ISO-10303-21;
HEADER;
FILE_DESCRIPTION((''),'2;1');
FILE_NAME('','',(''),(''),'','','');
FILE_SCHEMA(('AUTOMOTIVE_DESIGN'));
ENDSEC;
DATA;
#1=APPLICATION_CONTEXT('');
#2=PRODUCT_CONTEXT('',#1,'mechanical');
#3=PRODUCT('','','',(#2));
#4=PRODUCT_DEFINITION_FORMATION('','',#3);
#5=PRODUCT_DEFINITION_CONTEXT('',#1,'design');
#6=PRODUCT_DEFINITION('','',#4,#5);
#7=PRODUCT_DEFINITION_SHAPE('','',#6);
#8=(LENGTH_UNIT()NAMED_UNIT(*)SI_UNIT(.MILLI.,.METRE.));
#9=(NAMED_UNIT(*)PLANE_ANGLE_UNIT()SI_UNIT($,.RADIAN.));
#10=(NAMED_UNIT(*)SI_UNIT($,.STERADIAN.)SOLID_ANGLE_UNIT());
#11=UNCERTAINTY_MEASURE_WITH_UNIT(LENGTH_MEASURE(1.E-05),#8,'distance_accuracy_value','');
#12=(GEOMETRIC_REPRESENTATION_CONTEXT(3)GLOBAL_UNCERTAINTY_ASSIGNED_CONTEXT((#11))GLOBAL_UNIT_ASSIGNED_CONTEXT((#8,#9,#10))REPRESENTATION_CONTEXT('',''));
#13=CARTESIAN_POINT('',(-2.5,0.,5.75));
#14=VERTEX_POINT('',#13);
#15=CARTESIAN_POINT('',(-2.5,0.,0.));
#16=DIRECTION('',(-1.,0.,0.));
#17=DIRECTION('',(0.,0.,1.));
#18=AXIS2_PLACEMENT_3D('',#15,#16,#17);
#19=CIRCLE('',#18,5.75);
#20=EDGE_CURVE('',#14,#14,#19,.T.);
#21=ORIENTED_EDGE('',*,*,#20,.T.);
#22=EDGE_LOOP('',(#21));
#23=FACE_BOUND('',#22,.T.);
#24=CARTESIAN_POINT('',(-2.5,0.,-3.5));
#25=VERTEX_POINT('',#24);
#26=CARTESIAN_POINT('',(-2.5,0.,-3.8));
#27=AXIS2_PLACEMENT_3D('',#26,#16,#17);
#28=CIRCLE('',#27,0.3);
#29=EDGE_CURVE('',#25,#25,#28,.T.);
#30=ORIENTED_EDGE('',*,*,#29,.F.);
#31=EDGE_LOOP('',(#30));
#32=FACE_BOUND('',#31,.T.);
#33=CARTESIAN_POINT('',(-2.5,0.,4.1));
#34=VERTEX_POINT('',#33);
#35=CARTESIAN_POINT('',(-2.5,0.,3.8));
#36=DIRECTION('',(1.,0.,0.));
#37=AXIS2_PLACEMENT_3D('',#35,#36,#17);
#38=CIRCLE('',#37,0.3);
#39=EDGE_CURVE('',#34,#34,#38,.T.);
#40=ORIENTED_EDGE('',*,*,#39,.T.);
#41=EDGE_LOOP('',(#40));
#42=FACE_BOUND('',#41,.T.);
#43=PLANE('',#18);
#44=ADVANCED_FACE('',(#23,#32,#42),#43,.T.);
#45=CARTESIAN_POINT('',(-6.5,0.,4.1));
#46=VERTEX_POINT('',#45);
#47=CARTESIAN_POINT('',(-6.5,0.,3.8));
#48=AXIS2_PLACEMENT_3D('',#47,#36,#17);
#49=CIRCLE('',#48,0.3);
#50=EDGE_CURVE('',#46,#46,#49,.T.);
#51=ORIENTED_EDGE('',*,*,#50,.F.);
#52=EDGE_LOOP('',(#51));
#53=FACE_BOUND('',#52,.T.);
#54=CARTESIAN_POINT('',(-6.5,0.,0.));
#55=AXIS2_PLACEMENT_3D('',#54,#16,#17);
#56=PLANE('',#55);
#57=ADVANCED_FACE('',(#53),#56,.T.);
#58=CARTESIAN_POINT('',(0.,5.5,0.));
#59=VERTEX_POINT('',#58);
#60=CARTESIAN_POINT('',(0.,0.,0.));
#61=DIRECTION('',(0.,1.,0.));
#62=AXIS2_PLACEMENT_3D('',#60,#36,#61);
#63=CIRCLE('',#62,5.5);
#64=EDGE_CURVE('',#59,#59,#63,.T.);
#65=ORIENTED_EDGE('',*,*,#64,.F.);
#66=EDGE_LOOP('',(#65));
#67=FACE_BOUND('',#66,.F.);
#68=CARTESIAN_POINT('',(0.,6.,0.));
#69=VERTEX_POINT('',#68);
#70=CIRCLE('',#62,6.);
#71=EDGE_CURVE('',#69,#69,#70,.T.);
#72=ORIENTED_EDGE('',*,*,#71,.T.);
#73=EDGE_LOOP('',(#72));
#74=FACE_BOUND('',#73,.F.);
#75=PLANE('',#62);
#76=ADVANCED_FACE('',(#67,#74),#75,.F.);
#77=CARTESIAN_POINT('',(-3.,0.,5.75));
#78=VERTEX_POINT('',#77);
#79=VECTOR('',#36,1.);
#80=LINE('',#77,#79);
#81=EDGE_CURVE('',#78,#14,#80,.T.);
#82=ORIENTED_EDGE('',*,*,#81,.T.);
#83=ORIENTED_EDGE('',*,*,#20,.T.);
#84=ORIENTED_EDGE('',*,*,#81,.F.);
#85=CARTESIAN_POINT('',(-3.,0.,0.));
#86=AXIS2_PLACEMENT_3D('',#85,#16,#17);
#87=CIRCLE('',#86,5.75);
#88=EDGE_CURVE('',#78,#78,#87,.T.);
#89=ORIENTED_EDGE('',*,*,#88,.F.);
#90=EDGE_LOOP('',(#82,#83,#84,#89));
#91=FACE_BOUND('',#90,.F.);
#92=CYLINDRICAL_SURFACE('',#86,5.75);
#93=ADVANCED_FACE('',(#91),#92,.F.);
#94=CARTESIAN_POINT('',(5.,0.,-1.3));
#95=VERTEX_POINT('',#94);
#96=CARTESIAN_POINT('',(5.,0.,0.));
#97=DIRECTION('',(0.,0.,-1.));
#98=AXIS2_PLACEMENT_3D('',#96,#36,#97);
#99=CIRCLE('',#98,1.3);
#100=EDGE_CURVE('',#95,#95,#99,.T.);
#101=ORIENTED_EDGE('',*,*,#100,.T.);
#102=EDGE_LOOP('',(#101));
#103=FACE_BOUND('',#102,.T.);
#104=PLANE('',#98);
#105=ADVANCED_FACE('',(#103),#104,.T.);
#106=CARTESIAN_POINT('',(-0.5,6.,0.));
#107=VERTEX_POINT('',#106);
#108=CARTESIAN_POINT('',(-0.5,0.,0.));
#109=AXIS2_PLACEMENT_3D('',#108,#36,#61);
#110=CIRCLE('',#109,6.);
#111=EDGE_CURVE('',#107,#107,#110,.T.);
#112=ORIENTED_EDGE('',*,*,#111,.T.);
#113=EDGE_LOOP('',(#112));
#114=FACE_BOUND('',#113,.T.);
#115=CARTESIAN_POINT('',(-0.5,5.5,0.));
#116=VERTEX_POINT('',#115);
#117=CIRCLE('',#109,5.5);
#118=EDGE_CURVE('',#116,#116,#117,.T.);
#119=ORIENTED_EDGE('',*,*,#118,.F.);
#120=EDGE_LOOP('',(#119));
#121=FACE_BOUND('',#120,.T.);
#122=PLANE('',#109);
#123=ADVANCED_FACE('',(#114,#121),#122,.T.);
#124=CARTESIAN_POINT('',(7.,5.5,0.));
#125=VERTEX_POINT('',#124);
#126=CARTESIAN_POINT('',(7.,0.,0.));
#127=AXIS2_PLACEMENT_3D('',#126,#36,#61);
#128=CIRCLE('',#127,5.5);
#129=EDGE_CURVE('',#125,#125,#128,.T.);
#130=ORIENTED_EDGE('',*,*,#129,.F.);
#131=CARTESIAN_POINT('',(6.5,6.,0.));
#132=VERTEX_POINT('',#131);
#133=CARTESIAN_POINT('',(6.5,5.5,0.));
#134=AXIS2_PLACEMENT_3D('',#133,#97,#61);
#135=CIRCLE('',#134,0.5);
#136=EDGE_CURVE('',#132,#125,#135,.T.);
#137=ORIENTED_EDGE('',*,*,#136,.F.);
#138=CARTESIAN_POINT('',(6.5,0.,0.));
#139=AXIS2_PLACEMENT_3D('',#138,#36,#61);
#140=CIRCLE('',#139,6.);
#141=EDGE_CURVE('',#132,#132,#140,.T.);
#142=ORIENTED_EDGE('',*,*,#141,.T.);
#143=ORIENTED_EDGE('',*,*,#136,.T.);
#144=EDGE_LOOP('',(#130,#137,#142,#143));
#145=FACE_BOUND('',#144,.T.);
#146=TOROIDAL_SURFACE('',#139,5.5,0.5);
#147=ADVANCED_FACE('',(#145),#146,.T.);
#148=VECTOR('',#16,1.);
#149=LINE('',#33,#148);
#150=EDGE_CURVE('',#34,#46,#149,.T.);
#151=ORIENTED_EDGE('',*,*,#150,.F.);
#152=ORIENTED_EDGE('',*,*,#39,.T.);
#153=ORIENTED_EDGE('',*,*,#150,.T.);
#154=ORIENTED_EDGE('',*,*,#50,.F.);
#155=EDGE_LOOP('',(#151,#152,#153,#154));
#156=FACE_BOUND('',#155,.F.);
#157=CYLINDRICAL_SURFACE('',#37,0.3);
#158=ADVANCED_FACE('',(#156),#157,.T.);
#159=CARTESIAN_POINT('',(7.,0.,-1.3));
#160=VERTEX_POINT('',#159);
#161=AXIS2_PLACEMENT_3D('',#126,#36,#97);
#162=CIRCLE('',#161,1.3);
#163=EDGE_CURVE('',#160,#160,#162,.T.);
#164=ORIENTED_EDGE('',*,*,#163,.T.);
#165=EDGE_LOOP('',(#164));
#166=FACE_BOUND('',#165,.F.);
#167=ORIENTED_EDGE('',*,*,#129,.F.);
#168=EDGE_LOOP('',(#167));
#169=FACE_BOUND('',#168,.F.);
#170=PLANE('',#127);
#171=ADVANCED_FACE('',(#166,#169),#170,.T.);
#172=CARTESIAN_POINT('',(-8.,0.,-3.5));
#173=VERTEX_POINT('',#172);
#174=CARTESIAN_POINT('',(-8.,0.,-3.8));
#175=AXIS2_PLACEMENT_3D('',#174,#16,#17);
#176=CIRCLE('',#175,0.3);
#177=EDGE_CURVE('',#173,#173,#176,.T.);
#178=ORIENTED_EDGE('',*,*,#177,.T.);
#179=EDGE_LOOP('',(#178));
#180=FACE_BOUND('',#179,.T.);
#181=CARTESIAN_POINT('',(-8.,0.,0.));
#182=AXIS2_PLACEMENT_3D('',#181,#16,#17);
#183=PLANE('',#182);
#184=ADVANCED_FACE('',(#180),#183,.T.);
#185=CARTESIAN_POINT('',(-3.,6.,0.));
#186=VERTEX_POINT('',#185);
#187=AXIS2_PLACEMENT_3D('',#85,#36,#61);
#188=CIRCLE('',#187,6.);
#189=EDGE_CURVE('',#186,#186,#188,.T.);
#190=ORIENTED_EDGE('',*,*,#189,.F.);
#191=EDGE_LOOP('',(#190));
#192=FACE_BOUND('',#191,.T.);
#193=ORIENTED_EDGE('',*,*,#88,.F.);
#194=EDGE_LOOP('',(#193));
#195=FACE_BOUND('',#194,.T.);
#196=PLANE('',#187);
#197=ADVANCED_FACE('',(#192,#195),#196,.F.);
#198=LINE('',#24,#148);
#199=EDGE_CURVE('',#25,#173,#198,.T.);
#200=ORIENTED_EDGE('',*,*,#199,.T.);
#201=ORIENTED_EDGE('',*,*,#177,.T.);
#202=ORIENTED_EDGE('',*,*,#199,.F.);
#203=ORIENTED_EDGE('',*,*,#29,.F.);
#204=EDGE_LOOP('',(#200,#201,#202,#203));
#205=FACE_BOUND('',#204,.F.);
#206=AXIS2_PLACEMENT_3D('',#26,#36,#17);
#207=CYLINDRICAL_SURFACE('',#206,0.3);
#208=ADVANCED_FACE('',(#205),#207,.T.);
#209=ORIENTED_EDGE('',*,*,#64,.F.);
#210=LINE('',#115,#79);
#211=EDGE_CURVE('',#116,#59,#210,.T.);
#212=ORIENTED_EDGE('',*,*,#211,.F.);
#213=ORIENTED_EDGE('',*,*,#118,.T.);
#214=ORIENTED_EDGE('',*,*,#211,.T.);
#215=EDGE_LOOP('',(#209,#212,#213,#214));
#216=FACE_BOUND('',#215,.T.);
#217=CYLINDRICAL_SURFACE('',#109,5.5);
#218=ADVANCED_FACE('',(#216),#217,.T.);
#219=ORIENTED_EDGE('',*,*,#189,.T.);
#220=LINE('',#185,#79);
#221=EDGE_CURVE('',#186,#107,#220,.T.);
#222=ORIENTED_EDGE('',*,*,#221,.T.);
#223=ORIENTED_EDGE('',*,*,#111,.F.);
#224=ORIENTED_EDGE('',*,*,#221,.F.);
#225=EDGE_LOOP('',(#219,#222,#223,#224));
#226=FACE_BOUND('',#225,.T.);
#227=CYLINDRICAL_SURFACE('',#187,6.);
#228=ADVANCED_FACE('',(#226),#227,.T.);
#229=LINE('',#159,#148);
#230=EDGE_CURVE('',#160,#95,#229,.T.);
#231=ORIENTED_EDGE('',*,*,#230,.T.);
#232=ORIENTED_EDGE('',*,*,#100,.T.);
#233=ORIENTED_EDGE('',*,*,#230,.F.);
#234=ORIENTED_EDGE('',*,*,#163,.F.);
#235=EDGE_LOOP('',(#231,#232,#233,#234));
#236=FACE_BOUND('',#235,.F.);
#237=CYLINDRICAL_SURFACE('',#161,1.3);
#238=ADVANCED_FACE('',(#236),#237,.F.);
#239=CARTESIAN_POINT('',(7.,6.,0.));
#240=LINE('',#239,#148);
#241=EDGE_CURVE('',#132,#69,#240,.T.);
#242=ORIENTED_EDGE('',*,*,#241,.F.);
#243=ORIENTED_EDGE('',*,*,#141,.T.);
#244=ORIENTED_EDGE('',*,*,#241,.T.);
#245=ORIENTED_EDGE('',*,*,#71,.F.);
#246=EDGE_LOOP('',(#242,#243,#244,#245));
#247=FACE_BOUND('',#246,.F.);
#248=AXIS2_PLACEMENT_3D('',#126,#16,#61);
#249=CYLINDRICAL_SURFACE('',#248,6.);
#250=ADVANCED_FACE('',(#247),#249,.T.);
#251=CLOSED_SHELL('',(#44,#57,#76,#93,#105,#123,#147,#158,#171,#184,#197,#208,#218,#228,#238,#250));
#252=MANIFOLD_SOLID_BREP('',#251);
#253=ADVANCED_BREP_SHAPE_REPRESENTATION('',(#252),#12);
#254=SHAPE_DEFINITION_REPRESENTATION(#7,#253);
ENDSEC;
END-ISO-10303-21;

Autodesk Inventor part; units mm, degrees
ref_plane "YZ Plane" through (0, 0, 0) normal (1, 0, 0) x (0, 1, 0)
ref_plane "XZ Plane" through (0, 0, 0) normal (0, 1, 0) x (-1, 0, 0)
ref_plane "XY Plane" through (0, 0, 0) normal (0, 0, 1) x (1, 0, 0)
sketch "Sketch1" plane through (0, 0, 0) normal (0, 0, 1) x (1, 0, 0)
  point P0 (0, 0)
sketch "Sketch2" plane through (0, 0, 0) normal (0, 0, 1) x (1, 0, 0)
  line L0 (0, 0) -> (7, 0)
  line L1 (7, 0) -> (7, 6)
  line L2 (7, 6) -> (0, 6)
  line L3 (0, 6) -> (0, 0)
  line L4 (0, 0) -> (-0.5, 0)
  line L5 (-0.5, 0) -> (-0.5, 5.5)
  line L6 (-0.5, 5.5) -> (0, 5.5)
  line L7 (0, 5.5) -> (0, 0)
  line L8 (-0.5, 0) -> (-3, 0)
  line L9 (-3, 0) -> (-3, 6)
  line L10 (-3, 6) -> (-0.5, 6)
  line L11 (-0.5, 6) -> (-0.5, 0)
revolve "Revolution1" add sketch "Sketch2" angle 360 about axis through (0, 0, 0) along (1, 0, 0)
sketch "Sketch3" plane through (-3, 0, 0) normal (-1, 0, 0) x (0, 0, 1)
  circle A0 centre (0, 0) radius 5.75
  dimension "d6" = 11.5
extrude "Extrusion1" cut sketch "Sketch3" against normal blind 0.5
sketch "Sketch4" plane through (-2.5, 0, 0) normal (-1, 0, 0) x (0, 0, 1)
  line L0 (0, 0) -> (3.8, 0)
  circle A0 centre (3.8, 0) radius 0.3
  dimension "d9" = 3.8
  dimension "d10" = 0.6
extrude "Extrusion2" add sketch "Sketch4" along normal blind 4
sketch "Sketch5" plane through (-2.5, 0, 0) normal (-1, 0, 0) x (0, 0, 1)
  line L0 (0, 0) -> (-3.8, 0)
  circle A0 centre (-3.8, 0) radius 0.3
  dimension "d13" = 3.8
  dimension "d14" = 0.6
extrude "Extrusion3" add sketch "Sketch5" along normal blind 5.5
sketch "Sketch6" plane through (7, 0, 0) normal (1, 0, 0) x (0, 0, -1)
  circle A0 centre (0, 0) radius 1.3
  dimension "d17" = 2.6
extrude "Extrusion4" cut sketch "Sketch6" against normal blind 2
fillet "Fillet1" radius 0.5 1 edges at (7, -6, 0)
properties part number "buzzer"
